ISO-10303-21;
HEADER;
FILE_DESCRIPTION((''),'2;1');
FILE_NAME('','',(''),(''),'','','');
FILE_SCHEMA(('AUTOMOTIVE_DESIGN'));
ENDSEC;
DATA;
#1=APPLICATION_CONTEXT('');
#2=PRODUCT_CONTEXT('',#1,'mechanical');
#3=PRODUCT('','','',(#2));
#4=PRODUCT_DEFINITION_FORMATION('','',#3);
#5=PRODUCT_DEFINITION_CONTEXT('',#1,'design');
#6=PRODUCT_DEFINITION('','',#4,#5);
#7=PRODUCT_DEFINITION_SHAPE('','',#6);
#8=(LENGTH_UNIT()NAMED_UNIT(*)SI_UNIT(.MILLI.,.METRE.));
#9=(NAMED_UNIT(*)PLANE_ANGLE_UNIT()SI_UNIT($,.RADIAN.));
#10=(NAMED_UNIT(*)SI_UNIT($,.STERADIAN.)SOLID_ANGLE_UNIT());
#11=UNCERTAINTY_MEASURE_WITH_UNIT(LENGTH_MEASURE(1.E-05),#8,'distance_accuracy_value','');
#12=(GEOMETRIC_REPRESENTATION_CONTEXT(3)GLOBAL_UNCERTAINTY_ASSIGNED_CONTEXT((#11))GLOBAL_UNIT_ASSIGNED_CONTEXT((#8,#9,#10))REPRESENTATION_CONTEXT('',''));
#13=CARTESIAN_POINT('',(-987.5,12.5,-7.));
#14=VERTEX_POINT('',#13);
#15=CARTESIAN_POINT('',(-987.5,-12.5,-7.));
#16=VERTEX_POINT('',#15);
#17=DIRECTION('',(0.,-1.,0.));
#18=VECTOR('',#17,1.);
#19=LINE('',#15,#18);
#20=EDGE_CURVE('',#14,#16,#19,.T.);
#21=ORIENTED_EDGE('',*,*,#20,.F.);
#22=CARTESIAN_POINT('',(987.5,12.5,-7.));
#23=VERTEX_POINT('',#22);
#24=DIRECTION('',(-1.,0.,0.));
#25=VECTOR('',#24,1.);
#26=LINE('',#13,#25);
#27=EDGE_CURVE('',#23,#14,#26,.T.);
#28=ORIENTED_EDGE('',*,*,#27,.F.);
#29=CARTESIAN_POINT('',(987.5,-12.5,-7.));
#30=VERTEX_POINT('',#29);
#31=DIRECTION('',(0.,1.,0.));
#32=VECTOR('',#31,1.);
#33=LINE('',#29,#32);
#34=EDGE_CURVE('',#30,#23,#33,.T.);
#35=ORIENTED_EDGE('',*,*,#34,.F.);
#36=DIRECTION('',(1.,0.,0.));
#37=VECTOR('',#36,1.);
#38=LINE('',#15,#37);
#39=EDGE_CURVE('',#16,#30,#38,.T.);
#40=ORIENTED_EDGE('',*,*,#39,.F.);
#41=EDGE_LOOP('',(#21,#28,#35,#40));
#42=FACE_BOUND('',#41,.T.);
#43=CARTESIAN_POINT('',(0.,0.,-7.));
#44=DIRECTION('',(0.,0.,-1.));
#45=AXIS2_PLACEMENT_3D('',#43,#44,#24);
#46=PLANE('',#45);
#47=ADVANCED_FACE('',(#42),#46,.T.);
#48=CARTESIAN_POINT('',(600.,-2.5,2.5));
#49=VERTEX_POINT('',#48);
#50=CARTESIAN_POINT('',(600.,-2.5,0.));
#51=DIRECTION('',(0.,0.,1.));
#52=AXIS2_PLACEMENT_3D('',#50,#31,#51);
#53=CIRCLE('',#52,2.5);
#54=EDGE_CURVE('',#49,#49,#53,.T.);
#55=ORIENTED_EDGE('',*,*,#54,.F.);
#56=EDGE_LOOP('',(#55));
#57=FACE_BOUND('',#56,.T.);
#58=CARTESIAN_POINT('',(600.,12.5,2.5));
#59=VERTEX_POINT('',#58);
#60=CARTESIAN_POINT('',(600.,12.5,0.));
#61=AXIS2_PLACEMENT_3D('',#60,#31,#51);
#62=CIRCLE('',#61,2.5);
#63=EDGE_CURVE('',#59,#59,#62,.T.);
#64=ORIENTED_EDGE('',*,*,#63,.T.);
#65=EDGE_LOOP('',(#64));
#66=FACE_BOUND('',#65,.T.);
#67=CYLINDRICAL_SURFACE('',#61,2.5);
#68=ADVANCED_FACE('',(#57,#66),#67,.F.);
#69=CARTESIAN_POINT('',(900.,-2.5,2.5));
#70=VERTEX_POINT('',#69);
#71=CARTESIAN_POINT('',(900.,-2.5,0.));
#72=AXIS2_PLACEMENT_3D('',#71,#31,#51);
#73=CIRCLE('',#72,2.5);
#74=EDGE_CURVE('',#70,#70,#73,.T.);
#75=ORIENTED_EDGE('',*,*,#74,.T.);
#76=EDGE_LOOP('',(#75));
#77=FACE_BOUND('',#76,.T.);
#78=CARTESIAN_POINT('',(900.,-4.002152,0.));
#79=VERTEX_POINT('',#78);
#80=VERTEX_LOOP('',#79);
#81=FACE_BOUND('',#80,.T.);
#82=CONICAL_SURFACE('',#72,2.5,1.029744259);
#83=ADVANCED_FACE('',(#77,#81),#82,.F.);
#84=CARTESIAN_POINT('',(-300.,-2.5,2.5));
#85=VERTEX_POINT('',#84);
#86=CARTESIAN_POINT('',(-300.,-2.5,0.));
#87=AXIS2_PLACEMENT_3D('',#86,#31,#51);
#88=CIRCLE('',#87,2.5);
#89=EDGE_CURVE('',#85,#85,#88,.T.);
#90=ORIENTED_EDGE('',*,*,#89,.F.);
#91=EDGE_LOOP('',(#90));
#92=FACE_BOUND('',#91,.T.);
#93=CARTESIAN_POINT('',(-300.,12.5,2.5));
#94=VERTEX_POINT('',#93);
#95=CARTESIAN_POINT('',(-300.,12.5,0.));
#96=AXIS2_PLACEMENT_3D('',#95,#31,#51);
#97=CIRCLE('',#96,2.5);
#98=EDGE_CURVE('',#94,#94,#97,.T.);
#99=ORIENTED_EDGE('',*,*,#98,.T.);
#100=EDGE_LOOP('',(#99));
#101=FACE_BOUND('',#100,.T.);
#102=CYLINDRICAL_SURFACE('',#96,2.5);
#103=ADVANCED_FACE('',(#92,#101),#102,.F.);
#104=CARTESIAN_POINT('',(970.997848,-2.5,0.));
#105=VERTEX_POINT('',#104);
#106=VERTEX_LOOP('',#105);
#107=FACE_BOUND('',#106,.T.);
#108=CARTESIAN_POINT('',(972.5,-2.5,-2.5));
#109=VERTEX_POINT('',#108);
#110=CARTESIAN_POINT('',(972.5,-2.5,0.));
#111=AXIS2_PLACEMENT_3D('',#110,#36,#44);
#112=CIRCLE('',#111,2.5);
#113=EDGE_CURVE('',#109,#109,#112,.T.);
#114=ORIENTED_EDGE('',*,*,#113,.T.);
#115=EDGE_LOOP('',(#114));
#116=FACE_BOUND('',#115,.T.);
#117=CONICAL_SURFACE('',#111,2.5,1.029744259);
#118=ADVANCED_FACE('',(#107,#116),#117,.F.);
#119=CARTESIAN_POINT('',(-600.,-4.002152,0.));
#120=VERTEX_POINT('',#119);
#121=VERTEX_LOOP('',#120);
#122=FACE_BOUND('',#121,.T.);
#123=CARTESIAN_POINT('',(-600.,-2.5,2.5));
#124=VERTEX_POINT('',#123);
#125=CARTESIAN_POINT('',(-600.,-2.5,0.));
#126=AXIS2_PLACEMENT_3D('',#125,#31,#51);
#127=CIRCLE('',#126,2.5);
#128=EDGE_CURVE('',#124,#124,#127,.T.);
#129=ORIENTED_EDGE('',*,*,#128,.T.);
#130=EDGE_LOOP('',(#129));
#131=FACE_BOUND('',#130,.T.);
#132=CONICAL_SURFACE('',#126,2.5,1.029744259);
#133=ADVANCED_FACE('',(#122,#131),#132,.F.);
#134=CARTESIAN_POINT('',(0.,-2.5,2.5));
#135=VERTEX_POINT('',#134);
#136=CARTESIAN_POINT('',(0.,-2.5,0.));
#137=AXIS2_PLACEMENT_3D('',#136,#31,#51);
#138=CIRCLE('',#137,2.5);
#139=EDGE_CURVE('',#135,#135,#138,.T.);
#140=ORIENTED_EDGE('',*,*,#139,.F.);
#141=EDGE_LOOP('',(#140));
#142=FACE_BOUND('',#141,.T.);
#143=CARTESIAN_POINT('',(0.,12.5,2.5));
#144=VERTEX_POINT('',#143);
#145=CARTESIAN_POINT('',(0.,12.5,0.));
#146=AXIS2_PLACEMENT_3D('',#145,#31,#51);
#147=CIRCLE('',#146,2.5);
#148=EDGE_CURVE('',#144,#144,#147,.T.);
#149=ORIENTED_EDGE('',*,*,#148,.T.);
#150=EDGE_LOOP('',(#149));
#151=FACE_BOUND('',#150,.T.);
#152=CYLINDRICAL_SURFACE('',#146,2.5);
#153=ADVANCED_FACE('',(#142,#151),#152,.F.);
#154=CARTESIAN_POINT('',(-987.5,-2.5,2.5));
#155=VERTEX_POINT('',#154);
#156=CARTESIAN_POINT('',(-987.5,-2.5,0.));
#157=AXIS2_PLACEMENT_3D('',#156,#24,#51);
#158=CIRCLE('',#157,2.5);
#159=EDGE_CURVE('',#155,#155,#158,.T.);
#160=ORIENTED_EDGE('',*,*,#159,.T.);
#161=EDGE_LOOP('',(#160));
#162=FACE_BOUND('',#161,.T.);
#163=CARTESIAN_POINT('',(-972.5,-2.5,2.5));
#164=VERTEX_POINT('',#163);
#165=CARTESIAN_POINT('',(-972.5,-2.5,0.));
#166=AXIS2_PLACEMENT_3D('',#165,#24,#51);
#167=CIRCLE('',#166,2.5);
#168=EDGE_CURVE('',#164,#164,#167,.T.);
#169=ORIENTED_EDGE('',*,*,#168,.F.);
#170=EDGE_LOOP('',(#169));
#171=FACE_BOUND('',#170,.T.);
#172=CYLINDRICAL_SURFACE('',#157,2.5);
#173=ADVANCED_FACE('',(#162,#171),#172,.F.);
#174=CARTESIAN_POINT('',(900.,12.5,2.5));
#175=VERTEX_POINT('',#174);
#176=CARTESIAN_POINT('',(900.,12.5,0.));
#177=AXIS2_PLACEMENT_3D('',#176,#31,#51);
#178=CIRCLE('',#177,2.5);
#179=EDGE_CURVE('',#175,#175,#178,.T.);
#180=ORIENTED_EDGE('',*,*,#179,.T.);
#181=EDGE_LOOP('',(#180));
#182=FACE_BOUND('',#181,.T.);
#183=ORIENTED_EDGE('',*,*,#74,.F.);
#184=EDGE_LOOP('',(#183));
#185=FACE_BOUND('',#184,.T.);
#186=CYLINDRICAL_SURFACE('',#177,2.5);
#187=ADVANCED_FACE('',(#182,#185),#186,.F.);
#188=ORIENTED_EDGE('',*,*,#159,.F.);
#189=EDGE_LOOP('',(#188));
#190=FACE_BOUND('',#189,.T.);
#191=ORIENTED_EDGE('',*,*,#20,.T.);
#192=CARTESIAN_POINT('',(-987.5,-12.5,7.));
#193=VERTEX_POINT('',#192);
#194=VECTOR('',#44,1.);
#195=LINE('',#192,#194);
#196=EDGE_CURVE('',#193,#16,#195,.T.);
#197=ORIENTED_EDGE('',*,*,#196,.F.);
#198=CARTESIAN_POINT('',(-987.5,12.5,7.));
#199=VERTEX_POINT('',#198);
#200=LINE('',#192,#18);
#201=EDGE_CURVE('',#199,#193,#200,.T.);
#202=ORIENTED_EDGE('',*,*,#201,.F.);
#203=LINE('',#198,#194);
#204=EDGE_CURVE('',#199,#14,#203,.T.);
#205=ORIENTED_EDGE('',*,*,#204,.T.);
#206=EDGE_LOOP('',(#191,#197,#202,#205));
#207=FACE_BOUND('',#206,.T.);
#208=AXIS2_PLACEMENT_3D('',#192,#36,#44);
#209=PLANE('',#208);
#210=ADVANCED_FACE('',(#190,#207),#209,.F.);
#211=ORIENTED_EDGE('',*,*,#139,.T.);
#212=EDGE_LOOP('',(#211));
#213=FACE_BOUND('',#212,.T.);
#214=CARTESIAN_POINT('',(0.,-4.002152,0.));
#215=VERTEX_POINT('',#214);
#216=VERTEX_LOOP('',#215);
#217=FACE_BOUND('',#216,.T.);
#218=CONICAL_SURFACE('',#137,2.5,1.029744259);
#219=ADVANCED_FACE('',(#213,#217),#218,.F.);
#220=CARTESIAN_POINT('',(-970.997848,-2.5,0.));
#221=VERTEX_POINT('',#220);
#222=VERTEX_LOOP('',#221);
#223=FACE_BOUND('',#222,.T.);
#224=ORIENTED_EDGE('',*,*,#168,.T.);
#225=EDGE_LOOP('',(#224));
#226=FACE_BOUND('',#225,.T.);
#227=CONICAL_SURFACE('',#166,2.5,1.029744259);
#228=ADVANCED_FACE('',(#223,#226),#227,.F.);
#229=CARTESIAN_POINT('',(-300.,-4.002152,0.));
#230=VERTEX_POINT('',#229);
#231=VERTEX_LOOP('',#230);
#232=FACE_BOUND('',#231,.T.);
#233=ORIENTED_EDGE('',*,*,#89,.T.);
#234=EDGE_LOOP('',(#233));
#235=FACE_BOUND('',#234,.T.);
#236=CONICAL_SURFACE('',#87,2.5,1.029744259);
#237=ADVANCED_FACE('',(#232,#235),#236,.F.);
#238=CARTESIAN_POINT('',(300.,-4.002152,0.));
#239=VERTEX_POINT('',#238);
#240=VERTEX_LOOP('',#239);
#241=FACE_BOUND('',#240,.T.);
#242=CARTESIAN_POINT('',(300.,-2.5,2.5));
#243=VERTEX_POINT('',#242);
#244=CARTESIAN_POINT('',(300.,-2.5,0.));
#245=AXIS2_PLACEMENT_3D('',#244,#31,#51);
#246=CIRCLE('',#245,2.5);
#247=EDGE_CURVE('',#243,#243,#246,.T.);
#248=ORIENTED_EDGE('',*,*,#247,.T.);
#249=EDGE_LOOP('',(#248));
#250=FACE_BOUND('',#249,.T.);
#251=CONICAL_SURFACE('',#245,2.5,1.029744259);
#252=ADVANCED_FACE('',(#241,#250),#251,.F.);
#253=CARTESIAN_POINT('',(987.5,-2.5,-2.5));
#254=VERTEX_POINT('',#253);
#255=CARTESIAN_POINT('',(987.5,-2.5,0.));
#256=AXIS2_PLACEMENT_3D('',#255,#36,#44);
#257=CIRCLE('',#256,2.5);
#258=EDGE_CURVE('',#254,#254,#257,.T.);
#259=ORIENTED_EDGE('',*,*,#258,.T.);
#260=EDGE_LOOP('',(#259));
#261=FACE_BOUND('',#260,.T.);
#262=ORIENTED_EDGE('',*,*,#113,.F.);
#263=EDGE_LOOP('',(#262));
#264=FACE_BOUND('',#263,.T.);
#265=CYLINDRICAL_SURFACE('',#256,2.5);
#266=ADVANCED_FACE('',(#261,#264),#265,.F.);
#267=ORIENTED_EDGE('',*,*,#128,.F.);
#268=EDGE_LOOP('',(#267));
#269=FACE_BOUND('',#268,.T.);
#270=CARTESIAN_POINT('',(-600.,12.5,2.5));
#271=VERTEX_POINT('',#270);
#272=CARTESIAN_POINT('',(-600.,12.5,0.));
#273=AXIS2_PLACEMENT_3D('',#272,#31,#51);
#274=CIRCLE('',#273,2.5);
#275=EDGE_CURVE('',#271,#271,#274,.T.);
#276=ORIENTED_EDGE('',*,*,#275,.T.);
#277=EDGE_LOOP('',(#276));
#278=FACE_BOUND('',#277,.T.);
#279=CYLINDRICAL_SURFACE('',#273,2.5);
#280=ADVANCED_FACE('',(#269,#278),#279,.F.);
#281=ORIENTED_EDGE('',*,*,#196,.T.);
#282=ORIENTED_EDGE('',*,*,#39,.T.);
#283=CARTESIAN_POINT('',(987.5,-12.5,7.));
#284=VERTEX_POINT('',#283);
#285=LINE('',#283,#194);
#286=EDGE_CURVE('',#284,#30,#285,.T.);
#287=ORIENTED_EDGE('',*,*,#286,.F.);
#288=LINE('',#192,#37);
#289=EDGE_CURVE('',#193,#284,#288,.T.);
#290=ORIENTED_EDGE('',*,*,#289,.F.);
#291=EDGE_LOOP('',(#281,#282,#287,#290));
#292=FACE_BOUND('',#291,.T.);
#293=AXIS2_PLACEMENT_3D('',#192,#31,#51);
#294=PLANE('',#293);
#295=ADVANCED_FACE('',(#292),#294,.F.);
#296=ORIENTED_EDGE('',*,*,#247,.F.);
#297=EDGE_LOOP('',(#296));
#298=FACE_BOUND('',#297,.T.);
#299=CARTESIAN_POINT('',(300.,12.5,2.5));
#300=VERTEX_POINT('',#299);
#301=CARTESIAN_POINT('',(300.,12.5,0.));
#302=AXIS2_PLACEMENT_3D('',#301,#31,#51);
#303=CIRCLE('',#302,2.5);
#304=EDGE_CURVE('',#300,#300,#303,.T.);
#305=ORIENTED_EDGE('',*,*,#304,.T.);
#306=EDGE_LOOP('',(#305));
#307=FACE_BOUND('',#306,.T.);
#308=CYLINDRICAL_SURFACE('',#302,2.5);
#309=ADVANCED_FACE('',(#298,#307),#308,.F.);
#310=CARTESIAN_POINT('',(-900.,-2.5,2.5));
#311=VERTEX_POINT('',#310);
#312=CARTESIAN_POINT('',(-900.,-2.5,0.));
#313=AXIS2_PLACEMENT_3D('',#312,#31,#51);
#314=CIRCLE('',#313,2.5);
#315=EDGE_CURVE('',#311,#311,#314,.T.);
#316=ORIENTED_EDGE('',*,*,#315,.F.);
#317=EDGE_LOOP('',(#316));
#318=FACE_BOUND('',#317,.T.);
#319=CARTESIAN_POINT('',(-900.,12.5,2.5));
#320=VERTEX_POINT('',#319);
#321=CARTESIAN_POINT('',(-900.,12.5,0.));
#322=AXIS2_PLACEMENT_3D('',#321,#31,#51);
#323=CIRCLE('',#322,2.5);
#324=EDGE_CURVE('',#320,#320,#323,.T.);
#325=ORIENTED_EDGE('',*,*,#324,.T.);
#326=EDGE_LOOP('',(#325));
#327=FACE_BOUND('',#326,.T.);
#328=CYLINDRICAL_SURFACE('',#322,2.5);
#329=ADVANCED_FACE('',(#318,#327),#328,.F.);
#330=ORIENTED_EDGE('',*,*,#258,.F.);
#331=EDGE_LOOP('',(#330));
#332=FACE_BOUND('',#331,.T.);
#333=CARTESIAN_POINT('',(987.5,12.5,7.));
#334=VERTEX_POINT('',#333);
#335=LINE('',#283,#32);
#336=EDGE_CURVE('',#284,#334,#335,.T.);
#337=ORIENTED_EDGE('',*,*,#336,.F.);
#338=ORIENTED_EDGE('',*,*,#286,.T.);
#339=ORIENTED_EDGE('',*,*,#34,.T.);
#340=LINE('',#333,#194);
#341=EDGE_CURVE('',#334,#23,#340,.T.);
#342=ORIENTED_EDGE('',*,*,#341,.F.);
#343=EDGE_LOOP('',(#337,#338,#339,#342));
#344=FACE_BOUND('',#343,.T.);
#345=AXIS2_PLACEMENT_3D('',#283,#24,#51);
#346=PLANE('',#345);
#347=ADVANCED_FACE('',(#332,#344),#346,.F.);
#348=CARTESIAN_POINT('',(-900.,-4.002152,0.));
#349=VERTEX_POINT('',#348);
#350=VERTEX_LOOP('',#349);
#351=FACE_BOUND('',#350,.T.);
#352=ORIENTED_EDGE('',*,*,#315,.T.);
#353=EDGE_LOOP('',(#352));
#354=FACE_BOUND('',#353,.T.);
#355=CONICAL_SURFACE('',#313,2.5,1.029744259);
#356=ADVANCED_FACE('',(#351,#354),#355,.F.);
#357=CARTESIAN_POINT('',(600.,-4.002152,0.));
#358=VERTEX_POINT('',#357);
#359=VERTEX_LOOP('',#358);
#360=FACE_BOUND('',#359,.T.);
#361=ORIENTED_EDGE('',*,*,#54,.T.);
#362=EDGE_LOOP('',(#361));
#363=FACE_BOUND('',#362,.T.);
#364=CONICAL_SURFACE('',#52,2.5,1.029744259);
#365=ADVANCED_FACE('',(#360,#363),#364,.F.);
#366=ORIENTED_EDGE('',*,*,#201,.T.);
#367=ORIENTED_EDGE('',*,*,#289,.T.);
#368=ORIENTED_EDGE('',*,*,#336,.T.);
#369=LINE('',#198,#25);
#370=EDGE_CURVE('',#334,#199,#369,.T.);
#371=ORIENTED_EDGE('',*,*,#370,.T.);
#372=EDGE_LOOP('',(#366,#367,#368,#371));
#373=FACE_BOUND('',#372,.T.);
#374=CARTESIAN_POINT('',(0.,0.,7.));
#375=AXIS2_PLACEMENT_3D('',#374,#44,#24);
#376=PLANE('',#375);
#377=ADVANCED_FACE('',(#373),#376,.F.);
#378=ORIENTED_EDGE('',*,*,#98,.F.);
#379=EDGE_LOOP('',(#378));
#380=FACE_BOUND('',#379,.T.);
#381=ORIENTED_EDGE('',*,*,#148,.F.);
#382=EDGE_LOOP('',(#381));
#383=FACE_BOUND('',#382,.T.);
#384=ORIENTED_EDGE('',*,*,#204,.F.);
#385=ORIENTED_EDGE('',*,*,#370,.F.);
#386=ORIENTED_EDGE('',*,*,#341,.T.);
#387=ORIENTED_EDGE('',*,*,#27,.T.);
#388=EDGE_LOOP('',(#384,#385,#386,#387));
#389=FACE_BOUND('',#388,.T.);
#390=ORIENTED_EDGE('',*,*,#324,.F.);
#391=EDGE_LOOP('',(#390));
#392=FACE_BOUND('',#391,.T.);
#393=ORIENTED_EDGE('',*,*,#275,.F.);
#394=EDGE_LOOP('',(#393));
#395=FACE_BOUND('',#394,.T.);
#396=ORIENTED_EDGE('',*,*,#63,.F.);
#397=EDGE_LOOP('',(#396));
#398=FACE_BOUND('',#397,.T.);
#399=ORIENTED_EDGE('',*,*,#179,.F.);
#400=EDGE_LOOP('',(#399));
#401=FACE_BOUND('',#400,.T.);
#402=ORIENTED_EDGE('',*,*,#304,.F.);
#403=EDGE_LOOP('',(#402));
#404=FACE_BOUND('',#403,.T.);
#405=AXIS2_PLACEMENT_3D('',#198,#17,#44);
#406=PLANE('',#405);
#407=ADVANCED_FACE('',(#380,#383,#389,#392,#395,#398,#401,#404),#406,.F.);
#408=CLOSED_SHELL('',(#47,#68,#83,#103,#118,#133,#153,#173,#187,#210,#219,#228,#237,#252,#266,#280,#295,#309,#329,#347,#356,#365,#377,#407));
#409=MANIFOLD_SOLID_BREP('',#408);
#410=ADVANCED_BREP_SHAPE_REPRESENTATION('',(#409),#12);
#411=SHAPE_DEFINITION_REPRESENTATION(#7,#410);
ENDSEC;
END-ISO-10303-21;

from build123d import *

# Parameters (mm, degrees)
SKETCH_1_W             = 1975
SKETCH_1_H             = 25
EXTRUDE_1_DEPTH        = 7
HOLE_WIZARD_M6_1_D     = 5
HOLE_WIZARD_M6_1_DEPTH = 15
HOLE_WIZARD_M6_1_TIP   = 1.502151548


with BuildPart() as part:
    # 草图1 → 凸台-拉伸1 (new body, symmetric)
    with BuildSketch(Plane.XY):
        Rectangle(SKETCH_1_W, SKETCH_1_H)
    extrude(amount=EXTRUDE_1_DEPTH, both=True)

    # M6 螺纹孔1
    with Locations(Plane(origin=(-900, 12.5, 0), x_dir=(0, 0, 1), z_dir=(0, 1, 0))):
        with Locations((0, 0), (0, 300), (0, 600), (0, 1800), (0, 1500), (0, 1200), (0, 900)):
            Hole(HOLE_WIZARD_M6_1_D / 2, depth=HOLE_WIZARD_M6_1_DEPTH)
            with Locations((0, 0, -(HOLE_WIZARD_M6_1_DEPTH + HOLE_WIZARD_M6_1_TIP / 2))):  # 118° drill point
                Cone(0, HOLE_WIZARD_M6_1_D / 2, HOLE_WIZARD_M6_1_TIP, mode=Mode.SUBTRACT)

    # 草图6 → M6 螺纹孔2 (revolve, cut)
    with BuildSketch(Plane(origin=(987.5, -2.5, 0), x_dir=(0, 0, -1), z_dir=(0, 1, 0))):
        Polygon((0, 0), (0, 16.502151548), (2.5, 15), (2.5, 0), align=None)
    hole_wizard_m6_2 = revolve(axis=Axis((993.85, -2.5, 0), (-1, 0, 0)), mode=Mode.SUBTRACT)

    # 镜向1: M6 螺纹孔2 across plane
    add(hole_wizard_m6_2.mirror(Plane(origin=(0, 0, 0), x_dir=(0, 0, 1), z_dir=(1, 0, 0))), mode=Mode.SUBTRACT)

    # 镜向2 copy 1 sketch → 镜向2 copy 1 (revolve, cut)
    with BuildSketch(Plane(origin=(987.5, -2.5, 0), x_dir=(0, 0, -1), z_dir=(0, 1, 0))):
        Polygon((0, 0), (0, 16.502151548), (2.5, 15), (2.5, 0), align=None)
    revolve(axis=Axis((993.85, -2.5, 0), (-1, 0, 0)), mode=Mode.SUBTRACT)

    # 镜向2 copy 2 sketch → 镜向2 copy 2 (revolve, cut)
    with BuildSketch(Plane(origin=(-987.5, -2.5, 0), x_dir=(0, 0, -1), z_dir=(0, 1, 0))):
        Polygon((0, 0), (0, -16.502151548), (2.5, -15), (2.5, 0), align=None)
    revolve(axis=Axis((-993.85, -2.5, 0), (-1, 0, 0)), mode=Mode.SUBTRACT)


solid = part.part
